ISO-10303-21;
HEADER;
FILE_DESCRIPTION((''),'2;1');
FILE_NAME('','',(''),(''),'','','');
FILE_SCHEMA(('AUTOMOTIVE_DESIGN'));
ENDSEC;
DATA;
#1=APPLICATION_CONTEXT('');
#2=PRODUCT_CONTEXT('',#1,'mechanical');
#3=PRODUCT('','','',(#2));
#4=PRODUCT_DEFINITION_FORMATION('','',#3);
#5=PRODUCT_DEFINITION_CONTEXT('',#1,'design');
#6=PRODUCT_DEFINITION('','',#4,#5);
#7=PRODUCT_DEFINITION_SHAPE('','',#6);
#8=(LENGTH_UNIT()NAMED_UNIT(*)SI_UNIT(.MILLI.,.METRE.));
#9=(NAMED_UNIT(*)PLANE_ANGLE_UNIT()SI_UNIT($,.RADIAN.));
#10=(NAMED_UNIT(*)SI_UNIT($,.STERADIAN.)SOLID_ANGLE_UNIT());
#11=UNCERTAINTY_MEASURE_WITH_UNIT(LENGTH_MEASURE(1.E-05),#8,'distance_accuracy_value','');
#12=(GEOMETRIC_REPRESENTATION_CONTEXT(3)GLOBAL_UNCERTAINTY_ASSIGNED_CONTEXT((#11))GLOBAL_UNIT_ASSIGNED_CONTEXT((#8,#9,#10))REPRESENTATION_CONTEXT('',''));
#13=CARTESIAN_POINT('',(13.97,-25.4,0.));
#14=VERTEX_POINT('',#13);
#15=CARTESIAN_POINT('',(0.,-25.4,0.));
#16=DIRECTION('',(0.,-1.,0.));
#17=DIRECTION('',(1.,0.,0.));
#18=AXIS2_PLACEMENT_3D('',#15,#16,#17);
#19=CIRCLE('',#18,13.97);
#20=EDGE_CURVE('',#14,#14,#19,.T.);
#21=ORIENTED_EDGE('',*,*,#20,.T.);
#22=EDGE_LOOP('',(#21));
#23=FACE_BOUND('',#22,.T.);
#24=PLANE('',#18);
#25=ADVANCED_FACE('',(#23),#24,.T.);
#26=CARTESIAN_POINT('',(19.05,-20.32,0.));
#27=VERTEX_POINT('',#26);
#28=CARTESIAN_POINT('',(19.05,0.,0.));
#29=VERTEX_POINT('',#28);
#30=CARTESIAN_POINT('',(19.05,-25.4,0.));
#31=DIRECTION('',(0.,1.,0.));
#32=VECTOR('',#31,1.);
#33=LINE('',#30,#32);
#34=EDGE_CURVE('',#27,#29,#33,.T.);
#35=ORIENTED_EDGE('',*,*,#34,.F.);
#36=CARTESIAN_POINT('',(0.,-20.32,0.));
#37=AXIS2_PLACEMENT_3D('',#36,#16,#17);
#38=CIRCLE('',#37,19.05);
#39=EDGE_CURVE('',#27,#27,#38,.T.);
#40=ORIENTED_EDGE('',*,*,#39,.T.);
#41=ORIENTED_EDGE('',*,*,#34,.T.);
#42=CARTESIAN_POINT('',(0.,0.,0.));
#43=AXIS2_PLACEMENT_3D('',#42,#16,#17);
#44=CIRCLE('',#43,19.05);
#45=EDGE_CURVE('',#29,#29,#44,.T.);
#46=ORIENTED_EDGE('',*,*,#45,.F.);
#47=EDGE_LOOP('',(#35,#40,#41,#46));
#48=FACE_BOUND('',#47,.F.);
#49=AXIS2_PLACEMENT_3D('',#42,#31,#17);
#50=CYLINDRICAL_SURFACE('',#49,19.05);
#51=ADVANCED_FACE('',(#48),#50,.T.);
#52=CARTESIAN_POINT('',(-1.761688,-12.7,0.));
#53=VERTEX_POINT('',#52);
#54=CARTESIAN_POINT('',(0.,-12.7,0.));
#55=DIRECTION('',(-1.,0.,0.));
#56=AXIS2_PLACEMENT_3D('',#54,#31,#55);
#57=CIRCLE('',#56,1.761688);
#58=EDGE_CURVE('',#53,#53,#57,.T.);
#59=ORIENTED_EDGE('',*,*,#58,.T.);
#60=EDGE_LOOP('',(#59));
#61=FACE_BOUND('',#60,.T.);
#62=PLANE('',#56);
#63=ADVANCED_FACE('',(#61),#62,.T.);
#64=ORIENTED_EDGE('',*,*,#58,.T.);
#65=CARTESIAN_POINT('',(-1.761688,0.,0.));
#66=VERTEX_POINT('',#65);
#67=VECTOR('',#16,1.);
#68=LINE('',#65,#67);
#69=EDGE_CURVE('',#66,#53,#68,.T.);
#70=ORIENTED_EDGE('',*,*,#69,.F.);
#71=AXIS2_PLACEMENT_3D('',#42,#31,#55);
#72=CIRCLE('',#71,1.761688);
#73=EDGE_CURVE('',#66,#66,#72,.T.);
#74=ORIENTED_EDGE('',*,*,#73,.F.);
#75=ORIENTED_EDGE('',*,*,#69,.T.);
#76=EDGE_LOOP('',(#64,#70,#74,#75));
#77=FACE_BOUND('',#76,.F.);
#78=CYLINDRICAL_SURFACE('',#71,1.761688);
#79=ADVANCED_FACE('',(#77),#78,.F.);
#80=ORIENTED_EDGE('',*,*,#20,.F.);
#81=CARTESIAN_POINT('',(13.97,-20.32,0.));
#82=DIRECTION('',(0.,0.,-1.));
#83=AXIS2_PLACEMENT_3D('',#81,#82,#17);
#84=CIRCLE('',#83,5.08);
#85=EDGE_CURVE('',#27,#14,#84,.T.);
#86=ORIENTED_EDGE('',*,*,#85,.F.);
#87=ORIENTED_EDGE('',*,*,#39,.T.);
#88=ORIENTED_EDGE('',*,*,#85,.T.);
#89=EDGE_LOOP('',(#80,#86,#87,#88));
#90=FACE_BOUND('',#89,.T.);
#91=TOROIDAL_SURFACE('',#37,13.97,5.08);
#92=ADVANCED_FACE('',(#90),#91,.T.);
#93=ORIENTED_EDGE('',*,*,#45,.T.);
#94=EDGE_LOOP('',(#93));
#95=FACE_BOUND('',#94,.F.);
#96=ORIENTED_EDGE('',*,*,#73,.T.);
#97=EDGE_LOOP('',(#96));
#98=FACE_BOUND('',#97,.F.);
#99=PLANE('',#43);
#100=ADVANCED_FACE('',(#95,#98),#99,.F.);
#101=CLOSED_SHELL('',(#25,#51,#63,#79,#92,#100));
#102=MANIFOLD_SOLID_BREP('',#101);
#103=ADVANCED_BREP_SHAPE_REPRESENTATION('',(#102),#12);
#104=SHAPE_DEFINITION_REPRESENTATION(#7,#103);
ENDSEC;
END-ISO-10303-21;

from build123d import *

# Parameters (mm, degrees)
F0_R     = 19.05
F1_DEPTH = 25.4
F2_R     = 21.73222
F2_R_2   = 19.05
F3_DEPTH = 19.05
F4_R     = 5.08
F5_R     = 1.761688
F6_DEPTH = 12.7


with BuildPart() as f1:
    # F0 (on Front) → F1 (new body)
    with BuildSketch(Plane.XZ):
        Circle(F0_R)
    extrude(amount=F1_DEPTH)

    # F2 (on face) → F3 (cut)
    with BuildSketch(Plane.XZ.offset(25.4)):
        Circle(F2_R)
        Circle(F2_R_2, mode=Mode.SUBTRACT)
    extrude(amount=-F3_DEPTH, mode=Mode.SUBTRACT)

    # F4
    f4_edges = [f1.edges().sort_by_distance(p)[0] for p in [
        (-19.05, -25.4, 0),
    ]]
    fillet(f4_edges, radius=F4_R)

    # F5 (on face) → F6 (cut)
    with BuildSketch(Plane(origin=(0, 0, 0), x_dir=(-1, 0, 0), z_dir=(0, 1, 0))):
        Circle(F5_R)
    extrude(amount=-F6_DEPTH, mode=Mode.SUBTRACT)


solid = f1.part
